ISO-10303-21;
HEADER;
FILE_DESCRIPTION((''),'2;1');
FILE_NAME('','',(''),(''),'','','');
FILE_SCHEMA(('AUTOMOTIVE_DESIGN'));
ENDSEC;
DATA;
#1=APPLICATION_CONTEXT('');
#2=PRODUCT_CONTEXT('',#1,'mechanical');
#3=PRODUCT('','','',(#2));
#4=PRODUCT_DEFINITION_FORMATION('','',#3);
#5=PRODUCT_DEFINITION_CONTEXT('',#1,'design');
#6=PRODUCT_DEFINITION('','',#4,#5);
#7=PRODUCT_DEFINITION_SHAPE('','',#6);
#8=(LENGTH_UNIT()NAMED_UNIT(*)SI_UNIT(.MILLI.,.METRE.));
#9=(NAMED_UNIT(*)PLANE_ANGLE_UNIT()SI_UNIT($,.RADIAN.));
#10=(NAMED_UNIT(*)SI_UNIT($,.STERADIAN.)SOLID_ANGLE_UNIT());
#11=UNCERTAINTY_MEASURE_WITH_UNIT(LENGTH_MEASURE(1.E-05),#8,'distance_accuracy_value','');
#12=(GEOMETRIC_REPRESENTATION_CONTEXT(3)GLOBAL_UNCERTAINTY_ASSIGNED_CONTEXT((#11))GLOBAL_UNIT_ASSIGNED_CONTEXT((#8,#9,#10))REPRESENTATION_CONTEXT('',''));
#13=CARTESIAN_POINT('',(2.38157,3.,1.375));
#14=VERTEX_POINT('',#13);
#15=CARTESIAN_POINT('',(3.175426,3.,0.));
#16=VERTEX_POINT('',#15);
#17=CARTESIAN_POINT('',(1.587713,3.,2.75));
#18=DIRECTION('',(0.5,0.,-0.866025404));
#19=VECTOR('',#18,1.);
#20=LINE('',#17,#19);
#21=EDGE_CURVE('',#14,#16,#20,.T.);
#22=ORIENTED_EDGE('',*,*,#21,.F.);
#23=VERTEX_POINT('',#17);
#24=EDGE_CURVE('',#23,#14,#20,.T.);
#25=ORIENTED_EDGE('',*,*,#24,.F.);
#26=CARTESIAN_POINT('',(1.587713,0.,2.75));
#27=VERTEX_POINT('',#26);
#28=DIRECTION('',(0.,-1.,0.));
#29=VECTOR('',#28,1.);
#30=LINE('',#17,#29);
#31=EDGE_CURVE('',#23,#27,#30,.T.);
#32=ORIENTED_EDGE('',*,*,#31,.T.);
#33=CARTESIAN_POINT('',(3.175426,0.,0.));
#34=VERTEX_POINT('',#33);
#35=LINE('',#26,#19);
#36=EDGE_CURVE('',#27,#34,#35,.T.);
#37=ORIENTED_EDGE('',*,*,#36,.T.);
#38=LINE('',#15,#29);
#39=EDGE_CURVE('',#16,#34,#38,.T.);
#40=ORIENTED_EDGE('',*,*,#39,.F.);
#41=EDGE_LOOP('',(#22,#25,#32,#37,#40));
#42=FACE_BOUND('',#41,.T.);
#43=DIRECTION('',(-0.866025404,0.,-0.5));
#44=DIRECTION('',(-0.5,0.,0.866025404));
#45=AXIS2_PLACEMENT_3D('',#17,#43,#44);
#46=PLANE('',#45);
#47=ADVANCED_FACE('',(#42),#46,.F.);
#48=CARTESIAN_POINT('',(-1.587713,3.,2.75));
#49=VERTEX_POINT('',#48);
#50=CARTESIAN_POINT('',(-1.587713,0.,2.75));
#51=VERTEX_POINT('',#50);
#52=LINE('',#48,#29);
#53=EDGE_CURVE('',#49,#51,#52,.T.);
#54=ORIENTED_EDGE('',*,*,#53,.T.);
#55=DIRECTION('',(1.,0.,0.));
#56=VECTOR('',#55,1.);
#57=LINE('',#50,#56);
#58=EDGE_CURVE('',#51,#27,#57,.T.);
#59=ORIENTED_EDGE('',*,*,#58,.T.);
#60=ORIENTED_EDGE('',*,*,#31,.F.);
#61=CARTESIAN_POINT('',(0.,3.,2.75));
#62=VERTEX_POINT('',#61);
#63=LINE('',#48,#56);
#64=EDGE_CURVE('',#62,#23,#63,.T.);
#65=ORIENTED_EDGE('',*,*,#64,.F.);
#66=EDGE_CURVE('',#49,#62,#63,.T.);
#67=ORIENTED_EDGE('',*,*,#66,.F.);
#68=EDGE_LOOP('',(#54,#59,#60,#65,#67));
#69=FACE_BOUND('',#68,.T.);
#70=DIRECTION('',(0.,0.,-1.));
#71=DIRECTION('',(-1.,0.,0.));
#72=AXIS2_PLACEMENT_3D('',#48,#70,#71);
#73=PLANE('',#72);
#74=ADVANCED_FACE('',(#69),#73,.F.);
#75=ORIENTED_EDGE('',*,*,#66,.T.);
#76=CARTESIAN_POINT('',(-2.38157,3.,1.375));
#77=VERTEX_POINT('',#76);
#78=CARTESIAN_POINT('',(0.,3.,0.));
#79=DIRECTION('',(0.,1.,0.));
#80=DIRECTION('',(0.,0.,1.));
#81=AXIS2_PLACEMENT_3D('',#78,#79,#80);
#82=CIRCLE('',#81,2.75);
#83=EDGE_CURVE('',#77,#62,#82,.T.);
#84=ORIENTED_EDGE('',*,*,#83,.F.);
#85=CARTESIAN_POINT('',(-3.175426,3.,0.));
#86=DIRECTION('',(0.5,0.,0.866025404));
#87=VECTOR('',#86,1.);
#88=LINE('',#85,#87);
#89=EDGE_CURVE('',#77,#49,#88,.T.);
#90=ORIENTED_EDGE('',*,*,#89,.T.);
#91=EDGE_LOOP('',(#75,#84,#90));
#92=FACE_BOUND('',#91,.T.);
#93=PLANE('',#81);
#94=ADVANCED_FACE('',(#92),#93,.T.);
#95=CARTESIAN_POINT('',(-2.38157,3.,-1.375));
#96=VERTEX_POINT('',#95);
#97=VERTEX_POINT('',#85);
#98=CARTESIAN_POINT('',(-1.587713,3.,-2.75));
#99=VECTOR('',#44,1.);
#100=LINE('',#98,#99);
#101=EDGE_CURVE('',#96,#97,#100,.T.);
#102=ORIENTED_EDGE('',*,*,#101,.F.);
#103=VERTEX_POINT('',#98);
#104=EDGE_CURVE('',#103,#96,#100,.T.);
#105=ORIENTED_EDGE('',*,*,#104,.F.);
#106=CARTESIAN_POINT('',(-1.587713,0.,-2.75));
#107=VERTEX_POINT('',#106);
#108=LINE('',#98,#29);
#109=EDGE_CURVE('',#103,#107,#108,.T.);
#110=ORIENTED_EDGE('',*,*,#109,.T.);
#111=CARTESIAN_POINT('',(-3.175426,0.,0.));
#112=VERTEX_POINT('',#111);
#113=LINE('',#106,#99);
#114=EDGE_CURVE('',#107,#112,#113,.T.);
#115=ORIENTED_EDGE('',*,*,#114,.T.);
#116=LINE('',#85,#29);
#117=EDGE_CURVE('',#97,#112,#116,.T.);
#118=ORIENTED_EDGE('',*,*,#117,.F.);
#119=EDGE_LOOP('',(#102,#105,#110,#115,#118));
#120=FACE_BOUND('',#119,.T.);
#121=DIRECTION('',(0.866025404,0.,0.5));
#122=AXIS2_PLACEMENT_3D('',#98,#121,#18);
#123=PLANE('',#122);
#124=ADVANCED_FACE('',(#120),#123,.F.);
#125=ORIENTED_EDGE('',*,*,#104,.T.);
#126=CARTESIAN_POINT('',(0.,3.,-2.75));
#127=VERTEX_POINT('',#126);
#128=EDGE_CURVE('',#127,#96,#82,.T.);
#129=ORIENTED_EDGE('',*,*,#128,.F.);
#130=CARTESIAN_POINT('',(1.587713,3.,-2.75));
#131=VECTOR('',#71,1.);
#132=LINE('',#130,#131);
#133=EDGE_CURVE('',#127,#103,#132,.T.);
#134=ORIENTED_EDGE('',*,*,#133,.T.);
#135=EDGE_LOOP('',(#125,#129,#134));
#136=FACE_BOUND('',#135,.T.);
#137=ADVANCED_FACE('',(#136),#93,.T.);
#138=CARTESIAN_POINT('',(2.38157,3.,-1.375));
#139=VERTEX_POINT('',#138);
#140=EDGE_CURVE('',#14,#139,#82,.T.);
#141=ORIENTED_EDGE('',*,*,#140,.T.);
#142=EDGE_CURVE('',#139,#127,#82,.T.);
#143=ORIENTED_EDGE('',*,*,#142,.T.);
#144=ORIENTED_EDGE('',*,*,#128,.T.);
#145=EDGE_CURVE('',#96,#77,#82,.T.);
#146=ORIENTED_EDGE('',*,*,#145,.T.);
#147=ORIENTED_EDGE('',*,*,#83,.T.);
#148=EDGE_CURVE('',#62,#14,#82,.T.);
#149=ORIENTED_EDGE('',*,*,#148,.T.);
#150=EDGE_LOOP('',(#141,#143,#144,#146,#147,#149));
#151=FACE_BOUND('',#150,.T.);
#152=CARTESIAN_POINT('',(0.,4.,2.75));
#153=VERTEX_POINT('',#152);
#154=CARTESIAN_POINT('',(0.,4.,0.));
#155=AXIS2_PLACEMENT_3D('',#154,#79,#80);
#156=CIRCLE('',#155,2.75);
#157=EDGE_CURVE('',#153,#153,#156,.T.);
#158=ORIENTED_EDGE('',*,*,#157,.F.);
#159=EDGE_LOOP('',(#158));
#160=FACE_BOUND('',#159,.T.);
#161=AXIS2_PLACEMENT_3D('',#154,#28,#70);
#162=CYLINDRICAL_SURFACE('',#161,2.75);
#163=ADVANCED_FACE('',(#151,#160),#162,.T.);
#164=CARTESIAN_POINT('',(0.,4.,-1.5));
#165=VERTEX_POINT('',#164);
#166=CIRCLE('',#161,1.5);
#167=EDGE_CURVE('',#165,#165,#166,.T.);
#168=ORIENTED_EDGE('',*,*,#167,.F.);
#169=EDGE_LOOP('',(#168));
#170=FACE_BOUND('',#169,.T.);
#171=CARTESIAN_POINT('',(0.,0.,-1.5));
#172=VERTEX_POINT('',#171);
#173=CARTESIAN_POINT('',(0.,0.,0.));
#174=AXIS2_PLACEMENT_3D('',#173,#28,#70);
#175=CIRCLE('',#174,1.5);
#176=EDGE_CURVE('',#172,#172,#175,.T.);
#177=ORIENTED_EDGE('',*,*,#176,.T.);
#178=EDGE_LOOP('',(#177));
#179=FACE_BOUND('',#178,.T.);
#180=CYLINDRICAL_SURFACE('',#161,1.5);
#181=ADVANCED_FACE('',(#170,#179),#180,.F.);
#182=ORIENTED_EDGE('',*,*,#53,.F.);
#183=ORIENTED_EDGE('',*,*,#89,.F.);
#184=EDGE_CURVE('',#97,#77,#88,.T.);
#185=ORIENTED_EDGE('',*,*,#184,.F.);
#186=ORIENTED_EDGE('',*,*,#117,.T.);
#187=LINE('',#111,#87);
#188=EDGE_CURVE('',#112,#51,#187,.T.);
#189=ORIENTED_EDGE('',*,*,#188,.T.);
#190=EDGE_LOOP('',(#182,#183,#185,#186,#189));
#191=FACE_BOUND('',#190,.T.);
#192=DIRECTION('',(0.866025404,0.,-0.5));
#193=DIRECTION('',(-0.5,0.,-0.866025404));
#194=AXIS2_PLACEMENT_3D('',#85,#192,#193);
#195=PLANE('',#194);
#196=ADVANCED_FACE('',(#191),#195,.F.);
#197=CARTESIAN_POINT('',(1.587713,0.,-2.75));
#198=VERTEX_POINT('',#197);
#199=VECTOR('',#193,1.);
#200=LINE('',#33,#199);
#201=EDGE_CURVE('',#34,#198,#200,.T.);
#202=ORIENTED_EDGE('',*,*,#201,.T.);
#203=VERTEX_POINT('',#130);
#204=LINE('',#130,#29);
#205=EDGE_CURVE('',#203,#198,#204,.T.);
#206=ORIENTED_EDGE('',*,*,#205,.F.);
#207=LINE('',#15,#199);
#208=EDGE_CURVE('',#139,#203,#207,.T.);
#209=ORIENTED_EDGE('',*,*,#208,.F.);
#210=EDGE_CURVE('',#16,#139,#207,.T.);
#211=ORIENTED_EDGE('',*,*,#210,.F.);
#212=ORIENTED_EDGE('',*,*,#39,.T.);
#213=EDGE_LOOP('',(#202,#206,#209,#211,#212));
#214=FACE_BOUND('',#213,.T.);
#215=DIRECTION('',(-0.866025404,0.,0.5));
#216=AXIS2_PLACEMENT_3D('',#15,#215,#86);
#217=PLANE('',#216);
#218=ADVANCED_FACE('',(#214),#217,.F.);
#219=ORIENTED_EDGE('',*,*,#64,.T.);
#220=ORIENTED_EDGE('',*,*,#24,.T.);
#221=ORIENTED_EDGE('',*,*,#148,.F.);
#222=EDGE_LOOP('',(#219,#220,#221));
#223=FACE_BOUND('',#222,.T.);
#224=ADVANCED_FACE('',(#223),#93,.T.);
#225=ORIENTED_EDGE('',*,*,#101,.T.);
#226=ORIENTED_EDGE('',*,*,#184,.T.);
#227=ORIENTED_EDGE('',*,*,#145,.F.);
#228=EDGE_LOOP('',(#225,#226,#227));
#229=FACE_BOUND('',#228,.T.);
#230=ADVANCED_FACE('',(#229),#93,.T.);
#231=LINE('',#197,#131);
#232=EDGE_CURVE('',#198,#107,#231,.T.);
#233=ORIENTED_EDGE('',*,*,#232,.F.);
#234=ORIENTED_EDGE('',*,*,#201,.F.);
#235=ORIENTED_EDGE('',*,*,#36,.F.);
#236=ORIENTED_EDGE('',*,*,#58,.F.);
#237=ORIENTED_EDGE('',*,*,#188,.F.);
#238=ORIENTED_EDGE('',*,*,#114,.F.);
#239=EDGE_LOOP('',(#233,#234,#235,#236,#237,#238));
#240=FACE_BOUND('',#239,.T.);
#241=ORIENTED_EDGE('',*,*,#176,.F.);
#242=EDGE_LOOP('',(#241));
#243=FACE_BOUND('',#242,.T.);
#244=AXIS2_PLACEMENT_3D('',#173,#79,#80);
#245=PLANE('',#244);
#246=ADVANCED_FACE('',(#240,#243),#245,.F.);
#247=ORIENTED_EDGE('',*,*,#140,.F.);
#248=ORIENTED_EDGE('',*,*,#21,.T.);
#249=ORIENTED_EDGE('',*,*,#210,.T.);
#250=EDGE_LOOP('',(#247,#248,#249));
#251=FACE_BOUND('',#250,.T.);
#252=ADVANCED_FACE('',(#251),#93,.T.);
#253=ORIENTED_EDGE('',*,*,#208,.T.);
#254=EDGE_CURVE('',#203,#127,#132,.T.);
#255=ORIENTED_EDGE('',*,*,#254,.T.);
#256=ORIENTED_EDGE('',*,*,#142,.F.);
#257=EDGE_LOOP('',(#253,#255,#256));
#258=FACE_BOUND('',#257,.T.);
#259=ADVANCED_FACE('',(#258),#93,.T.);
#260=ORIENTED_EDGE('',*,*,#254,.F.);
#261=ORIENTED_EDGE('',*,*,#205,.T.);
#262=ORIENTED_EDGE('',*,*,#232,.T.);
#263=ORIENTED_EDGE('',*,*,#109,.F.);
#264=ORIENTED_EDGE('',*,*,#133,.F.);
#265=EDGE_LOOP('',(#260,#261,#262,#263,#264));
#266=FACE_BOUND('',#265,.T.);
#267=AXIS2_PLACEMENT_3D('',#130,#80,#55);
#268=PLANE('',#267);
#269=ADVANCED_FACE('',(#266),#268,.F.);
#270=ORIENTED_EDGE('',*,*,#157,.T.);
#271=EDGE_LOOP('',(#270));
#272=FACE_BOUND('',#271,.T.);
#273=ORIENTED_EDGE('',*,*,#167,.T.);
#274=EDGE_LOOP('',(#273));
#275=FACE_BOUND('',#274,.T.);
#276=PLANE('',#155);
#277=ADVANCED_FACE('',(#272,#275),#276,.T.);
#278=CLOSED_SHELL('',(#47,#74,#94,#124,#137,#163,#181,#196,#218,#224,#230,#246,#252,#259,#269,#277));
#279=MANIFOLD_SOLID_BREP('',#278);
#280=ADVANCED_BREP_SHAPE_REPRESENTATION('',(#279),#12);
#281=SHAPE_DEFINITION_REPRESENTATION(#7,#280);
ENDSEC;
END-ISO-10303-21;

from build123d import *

# Parameters (mm, degrees)
EXTRUDE_1_DEPTH     = 3
SKETCH_2_R          = 2.75
EXTRUDE_2_DEPTH     = 1
SKETCH_3_R          = 1.5
CUT_EXTRUDE_1_DEPTH = 6.800502852


with BuildPart() as part:
    # 草图1 → 凸台-拉伸1 (new body)
    with BuildSketch(Plane(origin=(0, 0, 0), x_dir=(1, 0, 0), z_dir=(0, 1, 0))):
        Polygon((3.175426481, 0), (1.58771324, 2.75), (-1.58771324, 2.75), (-3.175426481, 0), (-1.58771324, -2.75), (1.58771324, -2.75), align=None)
    extrude(amount=EXTRUDE_1_DEPTH)

    # 草图2 → 凸台-拉伸2 (add)
    with BuildSketch(Plane(origin=(0, 3, 0), x_dir=(1, 0, 0), z_dir=(0, 1, 0))):
        Circle(SKETCH_2_R)
    extrude(amount=EXTRUDE_2_DEPTH)

    # 草图3 → 切除-拉伸1 (cut, through all)
    with BuildSketch(Plane.XZ):
        Circle(SKETCH_3_R)
    extrude(amount=-CUT_EXTRUDE_1_DEPTH, mode=Mode.SUBTRACT)


solid = part.part
